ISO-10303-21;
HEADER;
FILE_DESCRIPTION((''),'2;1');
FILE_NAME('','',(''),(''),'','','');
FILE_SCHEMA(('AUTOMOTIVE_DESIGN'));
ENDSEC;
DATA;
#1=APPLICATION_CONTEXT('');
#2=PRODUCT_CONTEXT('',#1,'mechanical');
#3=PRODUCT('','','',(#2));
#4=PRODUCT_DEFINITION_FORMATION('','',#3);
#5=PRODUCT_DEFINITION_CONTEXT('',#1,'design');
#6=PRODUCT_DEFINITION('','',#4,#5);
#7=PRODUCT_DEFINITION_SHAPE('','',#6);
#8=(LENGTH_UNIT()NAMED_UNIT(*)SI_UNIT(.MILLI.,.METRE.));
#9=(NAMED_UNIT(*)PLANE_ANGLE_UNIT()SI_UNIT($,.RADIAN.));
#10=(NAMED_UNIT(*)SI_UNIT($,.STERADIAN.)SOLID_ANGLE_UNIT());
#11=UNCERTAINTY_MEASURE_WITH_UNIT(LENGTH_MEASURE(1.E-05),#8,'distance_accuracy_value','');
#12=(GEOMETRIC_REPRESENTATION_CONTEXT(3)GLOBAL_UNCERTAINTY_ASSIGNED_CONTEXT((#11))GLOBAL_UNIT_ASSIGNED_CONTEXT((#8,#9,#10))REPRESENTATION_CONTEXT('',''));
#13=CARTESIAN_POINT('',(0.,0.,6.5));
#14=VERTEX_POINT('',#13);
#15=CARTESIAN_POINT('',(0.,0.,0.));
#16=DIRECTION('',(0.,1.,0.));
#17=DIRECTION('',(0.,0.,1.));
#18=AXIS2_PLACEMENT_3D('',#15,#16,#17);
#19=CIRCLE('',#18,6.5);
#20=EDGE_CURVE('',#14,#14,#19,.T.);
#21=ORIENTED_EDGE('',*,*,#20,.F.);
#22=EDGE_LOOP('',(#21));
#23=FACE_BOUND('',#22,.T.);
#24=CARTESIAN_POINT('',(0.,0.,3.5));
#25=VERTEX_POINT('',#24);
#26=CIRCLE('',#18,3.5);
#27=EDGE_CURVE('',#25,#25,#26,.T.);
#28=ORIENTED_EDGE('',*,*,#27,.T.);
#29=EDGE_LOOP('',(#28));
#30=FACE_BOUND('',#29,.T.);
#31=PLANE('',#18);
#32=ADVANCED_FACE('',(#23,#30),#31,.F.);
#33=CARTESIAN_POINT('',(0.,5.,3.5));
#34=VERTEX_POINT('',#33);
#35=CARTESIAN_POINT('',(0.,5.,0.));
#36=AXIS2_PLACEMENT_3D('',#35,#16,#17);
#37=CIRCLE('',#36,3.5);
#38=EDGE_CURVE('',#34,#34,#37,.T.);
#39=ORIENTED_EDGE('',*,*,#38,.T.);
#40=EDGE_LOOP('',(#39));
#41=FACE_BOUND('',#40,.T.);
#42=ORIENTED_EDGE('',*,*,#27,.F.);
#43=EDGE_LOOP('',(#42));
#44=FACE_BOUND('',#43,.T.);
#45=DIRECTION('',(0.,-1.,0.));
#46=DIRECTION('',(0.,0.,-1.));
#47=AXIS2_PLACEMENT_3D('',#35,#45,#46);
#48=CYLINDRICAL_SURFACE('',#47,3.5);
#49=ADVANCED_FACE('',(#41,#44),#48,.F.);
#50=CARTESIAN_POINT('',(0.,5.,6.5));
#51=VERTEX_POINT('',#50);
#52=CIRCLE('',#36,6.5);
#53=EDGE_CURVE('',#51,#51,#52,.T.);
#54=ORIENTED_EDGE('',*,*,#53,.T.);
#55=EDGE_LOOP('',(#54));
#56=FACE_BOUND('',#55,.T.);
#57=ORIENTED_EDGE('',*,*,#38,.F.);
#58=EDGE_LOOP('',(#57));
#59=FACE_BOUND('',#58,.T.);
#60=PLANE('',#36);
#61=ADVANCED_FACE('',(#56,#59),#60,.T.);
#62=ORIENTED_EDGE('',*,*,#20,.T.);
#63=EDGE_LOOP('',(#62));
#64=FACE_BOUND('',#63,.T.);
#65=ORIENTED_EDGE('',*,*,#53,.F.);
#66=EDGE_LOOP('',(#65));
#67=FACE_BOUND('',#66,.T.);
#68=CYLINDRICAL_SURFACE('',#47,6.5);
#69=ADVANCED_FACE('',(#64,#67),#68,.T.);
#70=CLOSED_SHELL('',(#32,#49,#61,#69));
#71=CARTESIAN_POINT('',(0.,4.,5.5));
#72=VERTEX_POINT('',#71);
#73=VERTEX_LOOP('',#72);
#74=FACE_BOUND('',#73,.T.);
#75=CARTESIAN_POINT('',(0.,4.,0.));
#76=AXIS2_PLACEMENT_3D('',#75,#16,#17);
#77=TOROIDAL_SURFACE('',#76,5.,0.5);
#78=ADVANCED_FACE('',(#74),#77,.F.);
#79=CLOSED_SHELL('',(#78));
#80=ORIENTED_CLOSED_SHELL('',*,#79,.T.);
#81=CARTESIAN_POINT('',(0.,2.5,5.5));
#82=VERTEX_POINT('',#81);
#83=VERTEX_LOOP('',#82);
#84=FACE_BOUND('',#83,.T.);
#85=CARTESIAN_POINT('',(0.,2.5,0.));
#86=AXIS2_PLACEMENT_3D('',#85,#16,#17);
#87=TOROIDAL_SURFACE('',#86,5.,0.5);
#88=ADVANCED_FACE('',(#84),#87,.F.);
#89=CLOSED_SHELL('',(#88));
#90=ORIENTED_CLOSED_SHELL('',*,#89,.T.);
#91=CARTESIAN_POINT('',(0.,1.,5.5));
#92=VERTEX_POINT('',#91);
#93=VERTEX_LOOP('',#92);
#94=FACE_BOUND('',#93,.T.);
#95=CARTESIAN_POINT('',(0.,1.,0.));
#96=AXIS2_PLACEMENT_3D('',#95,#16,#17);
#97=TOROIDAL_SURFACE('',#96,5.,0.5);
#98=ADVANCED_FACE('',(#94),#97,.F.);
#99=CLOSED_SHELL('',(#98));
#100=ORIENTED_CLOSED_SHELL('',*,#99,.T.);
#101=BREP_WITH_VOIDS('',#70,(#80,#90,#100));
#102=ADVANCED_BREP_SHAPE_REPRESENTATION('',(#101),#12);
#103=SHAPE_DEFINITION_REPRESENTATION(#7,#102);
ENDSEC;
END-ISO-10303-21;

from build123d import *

# Parameters (mm, degrees)
SKETCH1_R           = 6.5
SKETCH1_R_2         = 3.5
BOSS_EXTRUDE1_DEPTH = 5
SKETCH2_R           = 0.5


with BuildPart() as part:
    # Sketch1 → Boss-Extrude1 (new body)
    with BuildSketch(Plane(origin=(0, 0, 0), x_dir=(1, 0, 0), z_dir=(0, 1, 0))):
        with Locations(Location((0, 0, 0), (0, 0, 270))):
            Circle(SKETCH1_R)
        with Locations(Location((0, 0, 0), (0, 0, 270))):
            Circle(SKETCH1_R_2, mode=Mode.SUBTRACT)
    extrude(amount=BOSS_EXTRUDE1_DEPTH)

    # Sketch2 → Cut-Revolve1 (revolve, cut)
    with BuildSketch(Plane(origin=(0, 0, 0), x_dir=(0, 0, -1), z_dir=(1, 0, 0))):
        with Locations((-5, 4)):
            Circle(SKETCH2_R)
        with Locations((-5, 2.5)):
            Circle(SKETCH2_R)
        with Locations((-5, 1)):
            Circle(SKETCH2_R)
    revolve(axis=Axis((0, 5.605308193, 0), (0, -1, 0)), mode=Mode.SUBTRACT)


solid = part.part
